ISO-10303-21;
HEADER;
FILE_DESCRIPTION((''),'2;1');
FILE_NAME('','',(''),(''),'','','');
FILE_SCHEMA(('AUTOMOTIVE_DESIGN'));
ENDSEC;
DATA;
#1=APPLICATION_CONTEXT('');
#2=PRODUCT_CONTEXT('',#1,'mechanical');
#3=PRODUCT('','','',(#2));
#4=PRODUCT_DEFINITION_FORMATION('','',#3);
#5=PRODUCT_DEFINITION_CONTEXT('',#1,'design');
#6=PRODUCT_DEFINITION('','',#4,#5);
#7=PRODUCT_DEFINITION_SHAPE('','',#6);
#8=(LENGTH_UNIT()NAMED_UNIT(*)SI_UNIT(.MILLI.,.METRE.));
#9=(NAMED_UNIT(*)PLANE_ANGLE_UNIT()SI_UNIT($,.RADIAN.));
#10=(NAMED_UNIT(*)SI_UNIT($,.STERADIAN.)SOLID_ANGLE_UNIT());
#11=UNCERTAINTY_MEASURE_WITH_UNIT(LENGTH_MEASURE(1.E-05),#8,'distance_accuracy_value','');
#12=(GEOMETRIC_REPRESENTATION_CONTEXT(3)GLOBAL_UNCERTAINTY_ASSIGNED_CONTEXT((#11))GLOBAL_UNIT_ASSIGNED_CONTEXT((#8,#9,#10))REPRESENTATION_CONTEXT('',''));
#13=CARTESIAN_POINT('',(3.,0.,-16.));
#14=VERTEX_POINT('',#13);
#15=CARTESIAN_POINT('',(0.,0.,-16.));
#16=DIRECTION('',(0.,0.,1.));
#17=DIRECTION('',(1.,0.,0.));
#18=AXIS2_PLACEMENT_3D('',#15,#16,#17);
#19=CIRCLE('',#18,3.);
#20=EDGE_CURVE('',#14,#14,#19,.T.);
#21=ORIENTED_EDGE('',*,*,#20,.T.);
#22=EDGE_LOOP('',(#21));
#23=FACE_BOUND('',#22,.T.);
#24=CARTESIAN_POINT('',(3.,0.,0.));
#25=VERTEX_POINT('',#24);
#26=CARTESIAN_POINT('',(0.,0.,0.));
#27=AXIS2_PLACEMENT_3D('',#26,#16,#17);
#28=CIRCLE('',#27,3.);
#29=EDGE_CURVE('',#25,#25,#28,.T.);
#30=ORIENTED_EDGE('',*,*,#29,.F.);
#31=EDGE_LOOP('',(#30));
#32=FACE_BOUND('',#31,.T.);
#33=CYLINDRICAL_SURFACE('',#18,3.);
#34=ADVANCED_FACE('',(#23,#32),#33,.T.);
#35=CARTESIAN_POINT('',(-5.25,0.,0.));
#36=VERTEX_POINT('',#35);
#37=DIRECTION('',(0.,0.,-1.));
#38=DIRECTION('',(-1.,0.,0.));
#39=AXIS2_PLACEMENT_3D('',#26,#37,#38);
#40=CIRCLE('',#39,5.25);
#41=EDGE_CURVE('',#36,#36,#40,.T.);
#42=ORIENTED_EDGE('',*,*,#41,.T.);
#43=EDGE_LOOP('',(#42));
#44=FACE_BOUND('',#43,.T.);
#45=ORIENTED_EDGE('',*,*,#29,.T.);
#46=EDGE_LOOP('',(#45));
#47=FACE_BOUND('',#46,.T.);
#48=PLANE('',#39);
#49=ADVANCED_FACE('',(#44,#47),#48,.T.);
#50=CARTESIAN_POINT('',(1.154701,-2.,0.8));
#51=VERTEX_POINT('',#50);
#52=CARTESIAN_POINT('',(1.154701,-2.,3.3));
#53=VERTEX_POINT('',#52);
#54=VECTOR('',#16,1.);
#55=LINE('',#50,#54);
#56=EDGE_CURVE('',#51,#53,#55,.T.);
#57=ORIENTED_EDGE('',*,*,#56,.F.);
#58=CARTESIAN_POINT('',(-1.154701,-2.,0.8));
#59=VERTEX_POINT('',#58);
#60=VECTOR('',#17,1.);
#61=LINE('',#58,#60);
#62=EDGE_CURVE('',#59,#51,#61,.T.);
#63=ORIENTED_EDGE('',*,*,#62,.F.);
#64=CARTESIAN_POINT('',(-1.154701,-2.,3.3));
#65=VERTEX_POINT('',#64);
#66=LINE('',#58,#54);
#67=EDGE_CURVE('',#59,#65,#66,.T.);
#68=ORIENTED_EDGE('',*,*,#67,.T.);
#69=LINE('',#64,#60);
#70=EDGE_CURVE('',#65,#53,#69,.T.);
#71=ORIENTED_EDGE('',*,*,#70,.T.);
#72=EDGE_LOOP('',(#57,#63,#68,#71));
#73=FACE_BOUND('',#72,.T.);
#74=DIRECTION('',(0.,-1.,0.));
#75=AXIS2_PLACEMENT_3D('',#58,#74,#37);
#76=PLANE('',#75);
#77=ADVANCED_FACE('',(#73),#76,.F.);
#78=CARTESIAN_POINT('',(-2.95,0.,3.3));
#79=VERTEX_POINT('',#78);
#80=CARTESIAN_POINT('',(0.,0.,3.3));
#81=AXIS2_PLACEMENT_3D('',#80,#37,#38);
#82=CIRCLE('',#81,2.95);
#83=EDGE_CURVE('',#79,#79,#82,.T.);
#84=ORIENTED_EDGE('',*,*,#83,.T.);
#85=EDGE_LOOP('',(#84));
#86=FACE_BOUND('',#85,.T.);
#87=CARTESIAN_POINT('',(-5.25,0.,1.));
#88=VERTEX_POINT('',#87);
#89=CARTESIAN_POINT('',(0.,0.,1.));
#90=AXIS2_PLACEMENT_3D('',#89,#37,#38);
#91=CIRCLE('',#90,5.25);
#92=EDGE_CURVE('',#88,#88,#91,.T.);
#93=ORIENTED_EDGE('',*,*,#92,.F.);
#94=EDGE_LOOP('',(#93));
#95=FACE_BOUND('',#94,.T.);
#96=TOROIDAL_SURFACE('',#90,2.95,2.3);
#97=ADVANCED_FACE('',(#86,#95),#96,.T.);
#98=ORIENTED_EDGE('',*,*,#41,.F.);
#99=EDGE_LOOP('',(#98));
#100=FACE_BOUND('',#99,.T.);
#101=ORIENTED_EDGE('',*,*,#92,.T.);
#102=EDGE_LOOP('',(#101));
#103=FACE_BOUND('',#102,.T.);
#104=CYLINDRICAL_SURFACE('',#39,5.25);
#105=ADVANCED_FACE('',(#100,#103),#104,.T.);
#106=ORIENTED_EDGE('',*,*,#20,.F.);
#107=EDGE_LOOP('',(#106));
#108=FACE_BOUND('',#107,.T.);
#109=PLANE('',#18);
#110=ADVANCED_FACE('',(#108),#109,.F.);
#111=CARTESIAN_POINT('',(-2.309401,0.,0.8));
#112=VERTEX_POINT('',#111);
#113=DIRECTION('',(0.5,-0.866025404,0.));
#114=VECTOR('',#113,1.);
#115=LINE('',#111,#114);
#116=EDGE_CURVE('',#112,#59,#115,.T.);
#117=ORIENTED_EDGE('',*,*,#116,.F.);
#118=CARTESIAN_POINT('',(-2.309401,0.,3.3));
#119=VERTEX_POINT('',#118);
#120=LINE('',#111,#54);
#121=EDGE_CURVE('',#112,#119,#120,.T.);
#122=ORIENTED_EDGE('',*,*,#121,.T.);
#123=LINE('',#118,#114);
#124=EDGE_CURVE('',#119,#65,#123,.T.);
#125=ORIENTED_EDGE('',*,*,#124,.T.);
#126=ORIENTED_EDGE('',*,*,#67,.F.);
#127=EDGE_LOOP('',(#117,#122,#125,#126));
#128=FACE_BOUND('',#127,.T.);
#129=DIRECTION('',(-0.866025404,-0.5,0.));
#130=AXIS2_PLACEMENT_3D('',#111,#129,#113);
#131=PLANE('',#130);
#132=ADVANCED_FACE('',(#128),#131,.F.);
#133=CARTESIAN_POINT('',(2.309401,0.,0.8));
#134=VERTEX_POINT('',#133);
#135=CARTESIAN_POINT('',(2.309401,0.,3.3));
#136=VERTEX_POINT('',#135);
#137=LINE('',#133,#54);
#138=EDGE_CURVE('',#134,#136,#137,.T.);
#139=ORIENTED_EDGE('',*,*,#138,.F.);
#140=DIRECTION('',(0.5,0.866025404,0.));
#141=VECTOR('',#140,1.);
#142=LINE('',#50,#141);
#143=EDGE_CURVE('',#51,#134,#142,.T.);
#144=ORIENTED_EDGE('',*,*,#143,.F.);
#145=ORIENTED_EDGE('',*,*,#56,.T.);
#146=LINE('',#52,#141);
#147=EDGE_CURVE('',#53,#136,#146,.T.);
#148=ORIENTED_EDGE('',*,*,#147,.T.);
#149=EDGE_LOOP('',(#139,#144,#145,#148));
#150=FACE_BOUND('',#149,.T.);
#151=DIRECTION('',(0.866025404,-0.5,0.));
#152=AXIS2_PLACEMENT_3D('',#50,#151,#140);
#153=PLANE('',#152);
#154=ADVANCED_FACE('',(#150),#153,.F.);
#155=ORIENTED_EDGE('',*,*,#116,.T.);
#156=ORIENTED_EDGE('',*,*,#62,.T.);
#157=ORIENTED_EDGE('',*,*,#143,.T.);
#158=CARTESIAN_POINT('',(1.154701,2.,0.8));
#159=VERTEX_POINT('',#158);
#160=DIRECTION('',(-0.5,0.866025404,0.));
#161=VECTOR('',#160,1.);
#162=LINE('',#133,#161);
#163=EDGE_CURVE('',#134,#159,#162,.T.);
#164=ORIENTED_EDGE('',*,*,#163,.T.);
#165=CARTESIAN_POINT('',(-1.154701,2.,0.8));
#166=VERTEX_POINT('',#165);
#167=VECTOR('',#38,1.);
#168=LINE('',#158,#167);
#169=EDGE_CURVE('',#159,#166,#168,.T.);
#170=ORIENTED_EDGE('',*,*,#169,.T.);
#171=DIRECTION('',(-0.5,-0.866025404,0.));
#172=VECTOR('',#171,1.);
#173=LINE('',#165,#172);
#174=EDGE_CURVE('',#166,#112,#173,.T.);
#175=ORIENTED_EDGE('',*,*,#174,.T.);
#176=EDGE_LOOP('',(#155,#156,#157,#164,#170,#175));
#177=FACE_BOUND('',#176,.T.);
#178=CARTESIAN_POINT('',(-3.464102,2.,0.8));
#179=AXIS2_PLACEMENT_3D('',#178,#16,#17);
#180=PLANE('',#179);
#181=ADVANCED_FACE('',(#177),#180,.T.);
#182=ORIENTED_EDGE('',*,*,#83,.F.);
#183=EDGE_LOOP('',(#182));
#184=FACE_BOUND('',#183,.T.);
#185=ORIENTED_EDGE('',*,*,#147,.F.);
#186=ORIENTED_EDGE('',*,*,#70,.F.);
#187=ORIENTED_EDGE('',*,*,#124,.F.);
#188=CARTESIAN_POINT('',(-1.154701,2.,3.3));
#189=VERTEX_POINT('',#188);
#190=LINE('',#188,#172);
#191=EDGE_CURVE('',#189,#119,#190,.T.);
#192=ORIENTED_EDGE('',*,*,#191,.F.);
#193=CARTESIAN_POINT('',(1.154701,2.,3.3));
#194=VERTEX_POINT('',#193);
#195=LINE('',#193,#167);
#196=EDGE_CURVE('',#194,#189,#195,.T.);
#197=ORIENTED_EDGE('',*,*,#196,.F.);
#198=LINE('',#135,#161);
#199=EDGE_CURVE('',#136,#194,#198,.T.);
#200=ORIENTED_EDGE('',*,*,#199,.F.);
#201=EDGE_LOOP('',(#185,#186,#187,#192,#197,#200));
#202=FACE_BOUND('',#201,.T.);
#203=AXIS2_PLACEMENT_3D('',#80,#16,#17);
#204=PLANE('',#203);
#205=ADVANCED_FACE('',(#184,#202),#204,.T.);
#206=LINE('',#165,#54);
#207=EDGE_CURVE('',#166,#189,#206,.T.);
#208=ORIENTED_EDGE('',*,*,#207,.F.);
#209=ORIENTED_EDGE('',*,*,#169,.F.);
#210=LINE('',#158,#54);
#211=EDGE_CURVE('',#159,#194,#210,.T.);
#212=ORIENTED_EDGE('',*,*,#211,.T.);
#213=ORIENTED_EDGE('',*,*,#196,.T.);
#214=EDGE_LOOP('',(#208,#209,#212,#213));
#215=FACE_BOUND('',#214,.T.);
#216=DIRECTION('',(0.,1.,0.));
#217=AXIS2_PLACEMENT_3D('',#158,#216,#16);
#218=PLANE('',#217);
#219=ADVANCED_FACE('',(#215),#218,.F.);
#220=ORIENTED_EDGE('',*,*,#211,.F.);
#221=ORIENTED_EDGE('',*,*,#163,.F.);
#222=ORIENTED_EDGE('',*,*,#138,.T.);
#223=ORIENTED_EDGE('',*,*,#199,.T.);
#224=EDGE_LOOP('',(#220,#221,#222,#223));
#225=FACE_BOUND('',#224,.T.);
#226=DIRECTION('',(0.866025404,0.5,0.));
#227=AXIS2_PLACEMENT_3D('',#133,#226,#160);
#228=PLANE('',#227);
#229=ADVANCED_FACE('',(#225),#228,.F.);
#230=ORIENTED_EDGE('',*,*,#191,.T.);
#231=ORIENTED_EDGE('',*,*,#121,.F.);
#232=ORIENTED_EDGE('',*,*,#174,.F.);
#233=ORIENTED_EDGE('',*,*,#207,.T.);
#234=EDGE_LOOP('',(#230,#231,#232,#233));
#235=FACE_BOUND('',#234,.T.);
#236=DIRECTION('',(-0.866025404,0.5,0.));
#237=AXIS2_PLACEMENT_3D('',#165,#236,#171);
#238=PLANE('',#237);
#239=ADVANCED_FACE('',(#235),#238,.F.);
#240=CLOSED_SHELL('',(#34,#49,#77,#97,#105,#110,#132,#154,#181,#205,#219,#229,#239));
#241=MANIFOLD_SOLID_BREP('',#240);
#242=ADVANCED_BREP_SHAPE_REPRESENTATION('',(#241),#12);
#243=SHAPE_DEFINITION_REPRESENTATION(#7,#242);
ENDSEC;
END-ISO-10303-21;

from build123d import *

# Parameters (mm, degrees)
SKETCH1_R          = 3
EXTRUDE1_DEPTH     = 16
CUT_EXTRUDE1_DEPTH = 2.5


with BuildPart() as part:
    # Sketch1 → Extrude1 (new body)
    with BuildSketch(Plane.XY):
        Circle(SKETCH1_R)
    extrude(amount=-EXTRUDE1_DEPTH)

    # Sketch2 → Revolve1 (revolve)
    with BuildSketch(Plane(origin=(0, 0, 0), x_dir=(0, 0, -1), z_dir=(1, 0, 0)), mode=Mode.PRIVATE) as revolve1_sk:
        with BuildLine():
            Line((0, 0), (0, 5.25))
            Line((0, 5.25), (-1, 5.25))
            ThreePointArc((-1, 5.25), (-2.626345597, 4.576345597), (-3.3, 2.95))
            Line((-3.3, 2.95), (-3.3, 0))
            Line((-3.3, 0), (0, 0))
        make_face()
    revolve(revolve1_sk.sketch.rotate(Axis((0, 0, 0), (0, 0, 1)), 90), axis=Axis((0, 0, 0), (0, 0, 1)))

    # Sketch3 → Cut-Extrude1 (cut)
    with BuildSketch(Plane.XY.offset(3.3)):
        Polygon((-1.154700538, 2), (-2.309401077, 0), (-1.154700538, -2), (1.154700538, -2), (2.309401077, 0), (1.154700538, 2), align=None)
    extrude(amount=-CUT_EXTRUDE1_DEPTH, mode=Mode.SUBTRACT)


solid = part.part
